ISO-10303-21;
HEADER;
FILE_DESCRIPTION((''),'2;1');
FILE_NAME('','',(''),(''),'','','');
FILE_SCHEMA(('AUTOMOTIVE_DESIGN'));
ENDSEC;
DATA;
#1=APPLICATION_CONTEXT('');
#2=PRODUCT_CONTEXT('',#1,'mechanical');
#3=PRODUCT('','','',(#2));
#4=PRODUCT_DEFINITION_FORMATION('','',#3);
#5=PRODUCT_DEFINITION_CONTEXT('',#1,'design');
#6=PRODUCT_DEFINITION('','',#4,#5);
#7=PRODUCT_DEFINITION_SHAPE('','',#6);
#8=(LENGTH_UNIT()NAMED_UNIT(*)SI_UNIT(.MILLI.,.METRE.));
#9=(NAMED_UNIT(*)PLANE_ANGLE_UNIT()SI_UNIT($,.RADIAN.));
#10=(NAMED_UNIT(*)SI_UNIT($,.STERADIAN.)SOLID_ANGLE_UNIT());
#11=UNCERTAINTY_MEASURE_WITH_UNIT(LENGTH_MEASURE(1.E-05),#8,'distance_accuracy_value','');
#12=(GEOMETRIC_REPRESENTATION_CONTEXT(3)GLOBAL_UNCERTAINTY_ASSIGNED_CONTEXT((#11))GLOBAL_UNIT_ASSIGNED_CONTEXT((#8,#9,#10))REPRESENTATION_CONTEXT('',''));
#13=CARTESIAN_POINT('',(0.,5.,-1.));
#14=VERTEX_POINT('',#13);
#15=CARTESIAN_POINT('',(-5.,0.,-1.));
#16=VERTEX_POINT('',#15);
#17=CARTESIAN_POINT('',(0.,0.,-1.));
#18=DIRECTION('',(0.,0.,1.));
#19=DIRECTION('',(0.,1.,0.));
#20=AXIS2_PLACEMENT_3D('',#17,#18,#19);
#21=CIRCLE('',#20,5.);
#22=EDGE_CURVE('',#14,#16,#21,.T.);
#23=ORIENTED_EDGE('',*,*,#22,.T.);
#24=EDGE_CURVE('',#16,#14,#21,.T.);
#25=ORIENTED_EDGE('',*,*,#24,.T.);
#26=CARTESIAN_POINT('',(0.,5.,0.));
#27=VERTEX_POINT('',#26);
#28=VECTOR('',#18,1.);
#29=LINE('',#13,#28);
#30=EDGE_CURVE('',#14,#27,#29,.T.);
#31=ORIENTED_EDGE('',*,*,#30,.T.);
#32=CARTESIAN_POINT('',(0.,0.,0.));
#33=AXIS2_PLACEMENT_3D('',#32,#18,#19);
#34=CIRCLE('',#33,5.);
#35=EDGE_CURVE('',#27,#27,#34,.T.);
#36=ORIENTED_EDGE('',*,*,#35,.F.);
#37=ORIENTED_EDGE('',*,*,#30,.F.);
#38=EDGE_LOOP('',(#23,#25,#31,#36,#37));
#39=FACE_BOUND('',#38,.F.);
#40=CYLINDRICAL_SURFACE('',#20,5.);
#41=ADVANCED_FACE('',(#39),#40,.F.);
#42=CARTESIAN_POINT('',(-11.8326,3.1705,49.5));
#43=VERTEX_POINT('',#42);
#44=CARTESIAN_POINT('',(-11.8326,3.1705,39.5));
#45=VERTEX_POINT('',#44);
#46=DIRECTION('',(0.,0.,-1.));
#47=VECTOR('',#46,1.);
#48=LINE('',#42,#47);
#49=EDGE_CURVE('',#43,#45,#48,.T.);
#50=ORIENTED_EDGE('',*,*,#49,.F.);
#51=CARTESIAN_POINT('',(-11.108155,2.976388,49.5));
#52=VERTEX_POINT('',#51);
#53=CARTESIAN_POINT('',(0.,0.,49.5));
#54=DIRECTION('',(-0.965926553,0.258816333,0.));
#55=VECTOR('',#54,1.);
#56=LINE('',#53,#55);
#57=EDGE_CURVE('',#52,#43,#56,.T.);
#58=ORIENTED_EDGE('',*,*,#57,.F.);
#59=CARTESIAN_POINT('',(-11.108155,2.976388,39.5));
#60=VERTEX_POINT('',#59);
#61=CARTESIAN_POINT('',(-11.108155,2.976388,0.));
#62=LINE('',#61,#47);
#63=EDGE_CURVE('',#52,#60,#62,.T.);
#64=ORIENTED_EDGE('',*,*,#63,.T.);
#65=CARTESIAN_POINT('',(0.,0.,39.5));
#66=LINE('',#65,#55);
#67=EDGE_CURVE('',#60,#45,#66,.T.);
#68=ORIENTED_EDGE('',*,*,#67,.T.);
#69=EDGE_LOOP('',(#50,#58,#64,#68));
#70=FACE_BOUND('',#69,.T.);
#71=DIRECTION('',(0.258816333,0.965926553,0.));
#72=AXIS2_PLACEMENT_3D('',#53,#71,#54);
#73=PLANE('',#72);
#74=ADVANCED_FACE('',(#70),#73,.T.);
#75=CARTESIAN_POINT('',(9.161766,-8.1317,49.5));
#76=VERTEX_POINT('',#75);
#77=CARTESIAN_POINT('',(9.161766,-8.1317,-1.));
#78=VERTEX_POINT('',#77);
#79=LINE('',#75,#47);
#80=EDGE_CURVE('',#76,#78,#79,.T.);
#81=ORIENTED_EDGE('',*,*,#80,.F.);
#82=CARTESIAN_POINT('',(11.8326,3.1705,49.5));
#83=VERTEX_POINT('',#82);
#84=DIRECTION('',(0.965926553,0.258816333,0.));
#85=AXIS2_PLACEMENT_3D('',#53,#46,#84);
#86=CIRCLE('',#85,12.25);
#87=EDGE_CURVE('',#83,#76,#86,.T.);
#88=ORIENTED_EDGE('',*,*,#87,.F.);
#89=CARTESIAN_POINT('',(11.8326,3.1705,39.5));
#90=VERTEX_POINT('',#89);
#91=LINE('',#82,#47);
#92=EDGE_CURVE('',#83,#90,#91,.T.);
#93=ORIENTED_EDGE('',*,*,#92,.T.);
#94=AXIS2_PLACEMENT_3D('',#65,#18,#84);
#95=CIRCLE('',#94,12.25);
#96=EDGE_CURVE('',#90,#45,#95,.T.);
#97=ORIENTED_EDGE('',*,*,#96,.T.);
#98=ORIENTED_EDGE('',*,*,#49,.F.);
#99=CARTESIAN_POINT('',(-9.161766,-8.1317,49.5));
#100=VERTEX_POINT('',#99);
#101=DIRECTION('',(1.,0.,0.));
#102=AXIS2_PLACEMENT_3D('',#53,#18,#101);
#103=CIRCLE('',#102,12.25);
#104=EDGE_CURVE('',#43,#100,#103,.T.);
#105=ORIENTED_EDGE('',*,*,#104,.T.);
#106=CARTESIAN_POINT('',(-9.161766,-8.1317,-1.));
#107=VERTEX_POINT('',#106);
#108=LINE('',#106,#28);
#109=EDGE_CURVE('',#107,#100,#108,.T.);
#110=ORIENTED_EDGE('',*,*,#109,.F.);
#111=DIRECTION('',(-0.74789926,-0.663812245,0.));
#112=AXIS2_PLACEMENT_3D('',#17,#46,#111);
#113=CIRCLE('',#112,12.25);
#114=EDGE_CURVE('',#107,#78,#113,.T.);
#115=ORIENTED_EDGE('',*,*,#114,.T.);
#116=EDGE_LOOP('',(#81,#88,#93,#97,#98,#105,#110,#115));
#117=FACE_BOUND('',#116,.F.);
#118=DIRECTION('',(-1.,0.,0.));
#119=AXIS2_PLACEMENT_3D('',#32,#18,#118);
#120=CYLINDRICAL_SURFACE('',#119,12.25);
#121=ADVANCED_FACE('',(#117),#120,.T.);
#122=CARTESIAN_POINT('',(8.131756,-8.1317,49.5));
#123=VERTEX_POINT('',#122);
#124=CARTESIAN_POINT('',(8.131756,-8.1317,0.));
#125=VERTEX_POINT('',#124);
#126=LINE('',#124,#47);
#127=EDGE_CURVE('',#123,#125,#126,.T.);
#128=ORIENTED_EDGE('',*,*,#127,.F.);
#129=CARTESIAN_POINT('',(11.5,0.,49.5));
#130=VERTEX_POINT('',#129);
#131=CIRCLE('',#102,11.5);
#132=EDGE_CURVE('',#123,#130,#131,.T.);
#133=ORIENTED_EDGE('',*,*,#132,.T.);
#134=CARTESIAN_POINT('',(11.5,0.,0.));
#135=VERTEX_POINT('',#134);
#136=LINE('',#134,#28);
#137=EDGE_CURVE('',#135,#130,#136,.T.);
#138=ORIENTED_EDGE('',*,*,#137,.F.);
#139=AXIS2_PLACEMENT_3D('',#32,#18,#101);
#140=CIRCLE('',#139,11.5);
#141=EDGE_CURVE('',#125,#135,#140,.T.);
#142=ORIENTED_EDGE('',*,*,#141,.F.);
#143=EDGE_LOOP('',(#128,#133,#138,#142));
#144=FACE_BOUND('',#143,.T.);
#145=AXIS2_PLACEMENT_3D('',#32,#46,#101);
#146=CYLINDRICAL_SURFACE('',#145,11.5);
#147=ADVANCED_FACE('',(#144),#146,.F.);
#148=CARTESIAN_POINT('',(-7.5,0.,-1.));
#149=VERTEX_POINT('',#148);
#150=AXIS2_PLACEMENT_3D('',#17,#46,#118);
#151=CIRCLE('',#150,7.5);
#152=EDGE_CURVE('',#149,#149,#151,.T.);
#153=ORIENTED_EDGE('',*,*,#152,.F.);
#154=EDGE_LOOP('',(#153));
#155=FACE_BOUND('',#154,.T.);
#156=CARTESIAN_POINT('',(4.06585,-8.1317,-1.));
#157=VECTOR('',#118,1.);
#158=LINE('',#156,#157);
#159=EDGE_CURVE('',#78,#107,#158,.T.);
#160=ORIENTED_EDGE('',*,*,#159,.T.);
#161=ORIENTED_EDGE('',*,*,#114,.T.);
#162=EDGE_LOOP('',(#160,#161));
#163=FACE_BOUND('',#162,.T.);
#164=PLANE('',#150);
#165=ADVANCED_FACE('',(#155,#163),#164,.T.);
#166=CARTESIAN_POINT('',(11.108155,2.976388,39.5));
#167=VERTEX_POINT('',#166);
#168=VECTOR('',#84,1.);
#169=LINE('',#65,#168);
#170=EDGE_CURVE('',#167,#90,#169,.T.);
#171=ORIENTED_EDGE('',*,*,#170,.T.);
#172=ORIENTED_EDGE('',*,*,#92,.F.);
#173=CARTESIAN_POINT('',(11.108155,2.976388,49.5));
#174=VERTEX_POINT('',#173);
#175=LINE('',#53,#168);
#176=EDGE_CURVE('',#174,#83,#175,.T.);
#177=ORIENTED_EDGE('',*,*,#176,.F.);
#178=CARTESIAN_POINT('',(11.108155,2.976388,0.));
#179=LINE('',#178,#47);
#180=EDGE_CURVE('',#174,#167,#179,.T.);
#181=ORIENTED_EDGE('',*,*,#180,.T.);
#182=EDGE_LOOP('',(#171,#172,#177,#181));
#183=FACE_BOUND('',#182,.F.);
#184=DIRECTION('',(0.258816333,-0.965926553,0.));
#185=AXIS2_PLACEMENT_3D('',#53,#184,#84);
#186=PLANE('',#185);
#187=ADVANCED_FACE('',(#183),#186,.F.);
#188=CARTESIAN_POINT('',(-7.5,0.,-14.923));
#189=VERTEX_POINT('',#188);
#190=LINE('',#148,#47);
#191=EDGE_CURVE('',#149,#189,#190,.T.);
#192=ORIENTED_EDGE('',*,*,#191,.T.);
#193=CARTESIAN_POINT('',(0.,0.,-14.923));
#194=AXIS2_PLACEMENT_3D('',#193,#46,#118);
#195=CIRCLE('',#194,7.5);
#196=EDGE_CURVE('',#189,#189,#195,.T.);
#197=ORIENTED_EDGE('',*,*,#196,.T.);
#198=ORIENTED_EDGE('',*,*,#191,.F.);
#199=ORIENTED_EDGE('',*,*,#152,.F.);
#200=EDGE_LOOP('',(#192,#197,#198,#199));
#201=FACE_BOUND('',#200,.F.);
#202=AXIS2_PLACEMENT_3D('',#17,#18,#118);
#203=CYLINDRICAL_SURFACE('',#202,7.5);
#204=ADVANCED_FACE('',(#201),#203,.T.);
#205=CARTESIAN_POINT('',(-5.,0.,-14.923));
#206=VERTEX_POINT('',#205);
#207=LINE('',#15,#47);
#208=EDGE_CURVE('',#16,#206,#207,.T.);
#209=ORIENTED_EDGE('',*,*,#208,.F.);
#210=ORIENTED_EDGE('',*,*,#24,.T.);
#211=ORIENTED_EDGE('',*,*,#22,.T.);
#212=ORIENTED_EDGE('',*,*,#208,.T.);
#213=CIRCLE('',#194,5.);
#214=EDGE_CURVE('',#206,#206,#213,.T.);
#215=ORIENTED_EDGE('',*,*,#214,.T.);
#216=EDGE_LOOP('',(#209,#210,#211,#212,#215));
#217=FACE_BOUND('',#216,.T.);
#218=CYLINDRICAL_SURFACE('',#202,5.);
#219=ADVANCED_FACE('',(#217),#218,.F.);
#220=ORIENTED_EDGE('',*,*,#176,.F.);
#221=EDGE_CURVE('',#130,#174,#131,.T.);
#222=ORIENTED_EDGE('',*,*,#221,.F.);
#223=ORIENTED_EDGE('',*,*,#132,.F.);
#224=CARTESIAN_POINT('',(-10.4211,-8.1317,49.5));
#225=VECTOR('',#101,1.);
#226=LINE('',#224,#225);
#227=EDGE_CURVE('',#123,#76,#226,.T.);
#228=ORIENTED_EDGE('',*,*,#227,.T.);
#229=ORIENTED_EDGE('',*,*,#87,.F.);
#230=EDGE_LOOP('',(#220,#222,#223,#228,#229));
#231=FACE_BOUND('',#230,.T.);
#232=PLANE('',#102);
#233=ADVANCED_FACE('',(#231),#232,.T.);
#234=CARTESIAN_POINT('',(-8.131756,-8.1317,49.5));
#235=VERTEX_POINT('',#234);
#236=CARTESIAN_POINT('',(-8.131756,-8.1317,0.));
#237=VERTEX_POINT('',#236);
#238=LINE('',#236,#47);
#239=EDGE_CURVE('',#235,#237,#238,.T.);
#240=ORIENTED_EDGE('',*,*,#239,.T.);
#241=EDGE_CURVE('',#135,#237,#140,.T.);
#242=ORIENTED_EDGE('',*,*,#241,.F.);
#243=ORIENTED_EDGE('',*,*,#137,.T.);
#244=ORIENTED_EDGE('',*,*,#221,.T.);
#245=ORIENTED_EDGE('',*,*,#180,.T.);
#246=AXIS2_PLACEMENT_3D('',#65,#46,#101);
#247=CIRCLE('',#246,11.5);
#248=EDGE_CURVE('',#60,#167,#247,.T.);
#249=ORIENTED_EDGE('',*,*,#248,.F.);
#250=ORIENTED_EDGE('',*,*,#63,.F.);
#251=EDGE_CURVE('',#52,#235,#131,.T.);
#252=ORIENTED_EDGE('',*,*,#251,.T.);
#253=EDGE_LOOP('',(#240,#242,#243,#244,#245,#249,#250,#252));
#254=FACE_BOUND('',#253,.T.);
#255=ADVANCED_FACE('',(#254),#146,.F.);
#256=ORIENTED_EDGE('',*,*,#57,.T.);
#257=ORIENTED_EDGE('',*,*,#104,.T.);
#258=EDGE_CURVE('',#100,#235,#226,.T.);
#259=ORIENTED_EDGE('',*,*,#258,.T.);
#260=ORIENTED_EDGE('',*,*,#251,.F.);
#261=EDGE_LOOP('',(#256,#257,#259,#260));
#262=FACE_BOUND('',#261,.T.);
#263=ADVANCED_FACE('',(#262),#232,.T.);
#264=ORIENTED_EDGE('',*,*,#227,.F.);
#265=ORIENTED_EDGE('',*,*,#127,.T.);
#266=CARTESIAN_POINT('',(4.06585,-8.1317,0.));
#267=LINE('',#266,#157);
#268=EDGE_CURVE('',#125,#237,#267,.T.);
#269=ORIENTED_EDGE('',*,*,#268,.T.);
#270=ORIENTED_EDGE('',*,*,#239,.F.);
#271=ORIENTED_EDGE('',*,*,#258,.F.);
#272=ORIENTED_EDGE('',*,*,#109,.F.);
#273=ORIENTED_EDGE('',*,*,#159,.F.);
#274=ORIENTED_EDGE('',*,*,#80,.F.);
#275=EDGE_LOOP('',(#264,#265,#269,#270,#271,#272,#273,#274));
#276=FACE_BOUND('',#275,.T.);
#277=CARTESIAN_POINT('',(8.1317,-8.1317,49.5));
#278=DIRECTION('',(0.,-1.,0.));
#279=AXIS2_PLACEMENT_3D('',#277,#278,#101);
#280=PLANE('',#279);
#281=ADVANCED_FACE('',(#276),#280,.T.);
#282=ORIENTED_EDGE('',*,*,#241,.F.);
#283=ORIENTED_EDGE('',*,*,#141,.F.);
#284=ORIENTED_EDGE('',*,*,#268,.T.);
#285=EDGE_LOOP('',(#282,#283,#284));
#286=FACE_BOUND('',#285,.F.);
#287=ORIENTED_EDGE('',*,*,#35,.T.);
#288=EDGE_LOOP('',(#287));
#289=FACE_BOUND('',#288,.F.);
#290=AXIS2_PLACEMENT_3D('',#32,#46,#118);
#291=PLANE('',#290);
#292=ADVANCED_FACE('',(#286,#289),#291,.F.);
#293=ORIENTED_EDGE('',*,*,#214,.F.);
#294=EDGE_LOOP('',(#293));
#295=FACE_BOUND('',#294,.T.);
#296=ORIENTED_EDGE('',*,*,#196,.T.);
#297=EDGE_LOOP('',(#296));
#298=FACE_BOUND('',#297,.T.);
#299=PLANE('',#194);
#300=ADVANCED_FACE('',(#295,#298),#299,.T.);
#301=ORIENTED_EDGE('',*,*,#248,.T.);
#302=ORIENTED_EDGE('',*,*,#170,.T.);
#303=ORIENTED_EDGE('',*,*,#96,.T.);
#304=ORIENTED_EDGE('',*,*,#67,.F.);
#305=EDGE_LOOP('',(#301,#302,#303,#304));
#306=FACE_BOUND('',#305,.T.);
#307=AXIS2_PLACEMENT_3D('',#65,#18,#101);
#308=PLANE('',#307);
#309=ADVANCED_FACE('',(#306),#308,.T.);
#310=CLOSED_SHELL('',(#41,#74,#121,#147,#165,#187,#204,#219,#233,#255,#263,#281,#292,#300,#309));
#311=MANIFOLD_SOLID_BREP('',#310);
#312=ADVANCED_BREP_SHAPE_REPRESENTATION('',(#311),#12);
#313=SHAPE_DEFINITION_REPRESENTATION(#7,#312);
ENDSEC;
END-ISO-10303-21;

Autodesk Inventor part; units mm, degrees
ref_plane "YZ Plane" through (0, 0, 0) normal (1, 0, 0) x (0, 1, 0)
sketch "Sketch1" plane through (0, 0, 0) normal (0, 0, 1) x (1, 0, 0)
  circle A0 centre (0, 0) radius 12.25
  circle A1 centre (0, 0) radius 11.5
  dimension "d0" = 24.5
  dimension "d1" = 23
extrude "Extrusion1" add sketch "Sketch1" along normal blind 49.5
sketch "Sketch2" plane through (0, 0, 49.5) normal (0, 0, 1) x (1, 0, 0)
  line L0 (-17.15, 0) -> (17.15, 0) projected
  line L1 (0, -17.15) -> (0, 17.15) projected
  line L2 (0, 0) -> (-11.8326, 3.1705)
  line L3 (0, 0) -> (-8.6621, -8.6621)
  line L4 (0, 0) -> (11.8326, 3.1705)
  line L5 (0, 0) -> (8.6621, -8.6621)
  arc A0 (11.8326, 3.1705) -> (-11.8326, 3.1705) centre (0, 0) ccw
  arc A1 (-8.6621, -8.6621) -> (8.6621, -8.6621) centre (0, 0) ccw
  dimension "d4" = 15
  dimension "d5" = 45
extrude "Extrusion2" cut sketch "Sketch2" against normal blind 10
sketch "Sketch3" plane through (0, 0, 0) normal (0, 0, -1) x (-1, 0, 0)
  circle A0 centre (0, 0) radius 12.25 projected
extrude "Extrusion3" add sketch "Sketch3" along normal blind 1
sketch "Sketch4" plane through (0, 0, -1) normal (0, 0, -1) x (-1, 0, 0)
  circle A0 centre (0, 0) radius 12.25 projected
hole "Hole1" at (0, 0, -1) direction (0, 0, 1) diameter 10 end through all
ref_plane "Work Plane1" through (0, -12.25, 0) normal (0, 1, 0) x (-1, 0, 0)
sketch "Sketch5" plane through (0, -12.25, 0) normal (0, 1, 0) x (-1, 0, 0)
  line L0 (12.25, -1) -> (-12.25, -1) projected
  line L1 (11.5, 0) -> (-11.5, 0) projected
  line L2 (-5, 0) -> (-5, -1) projected
  line L3 (5, 0) -> (5, -1) projected
  line L4 (12.25, -1) -> (12.25, 49.5) projected
  line L5 (-12.25, -1) -> (-12.25, 49.5) projected
  line L6 (12.25, -1) -> (-12.25, -1) projected
  line L7 (11.8326, 49.5) -> (11.8326, 39.5) projected
  line L8 (11.8326, 39.5) -> (-11.8326, 39.5) projected
  line L9 (-11.8326, 39.5) -> (-11.8326, 49.5) projected
  line L10 (-11.8326, 49.5) -> (-8.6621, 49.5) projected
  line L11 (-8.6621, 49.5) -> (-8.6621, 39.5) projected
  line L12 (-8.6621, 39.5) -> (8.6621, 39.5) projected
  line L13 (8.6621, 39.5) -> (8.6621, 49.5) projected
  line L14 (8.6621, 49.5) -> (11.8326, 49.5) projected
  line L15 (11.5, 0) -> (11.5, 49.5) projected
  line L16 (0, -13.4846) -> (0, 73.9076) projected
  line L17 (7.5, 49) -> (-7.5, 49)
  line L18 (-7.5, 49) -> (-7.5, -1)
  line L19 (-7.5, -1) -> (7.5, -1)
  line L20 (7.5, -1) -> (7.5, 49)
  point P0 (0, 0)
  point P1 (0, 49)
  point P2 (0, 0)
  dimension "d17" = 15
  dimension "d18" = 50
extrude "Extrusion4" [suppressed]
ref_plane "Work Plane2" through (0, -12.25, 0) normal (0, 1, 0) x (-1, 0, 0)
sketch "Sketch8" plane through (0, 0, -1) normal (0, 0, -1) x (-1, 0, 0)
  circle A0 centre (0, 0) radius 5 projected
  circle A1 centre (0, 0) radius 7.5
  dimension "d26" = 15
extrude "Extrusion7" add sketch "Sketch8" along normal blind 13.923
sketch "Sketch7" plane through (0, 0, 49.5) normal (0, 0, 1) x (1, 0, 0)
  arc A0 (8.6621, -8.6621) -> (11.8326, 3.1705) centre (0, 0) ccw projected
  arc A1 (8.1317, -8.1317) -> (11.1081, 2.9764) centre (0, 0) ccw projected
  line L0 (8.1317, -8.1317) -> (8.6621, -8.6621) projected
  line L1 (-10.4211, -8.1317) -> (11.1081, -8.1317)
  line L2 (11.1081, -8.1317) -> (11.1081, -13.0652)
  line L3 (11.1081, -13.0652) -> (-10.4211, -13.0652)
  line L4 (-10.4211, -13.0652) -> (-10.4211, -8.1317)
extrude "Extrusion6" cut sketch "Sketch7" against normal through all
properties part number "ss_inner_guide"
